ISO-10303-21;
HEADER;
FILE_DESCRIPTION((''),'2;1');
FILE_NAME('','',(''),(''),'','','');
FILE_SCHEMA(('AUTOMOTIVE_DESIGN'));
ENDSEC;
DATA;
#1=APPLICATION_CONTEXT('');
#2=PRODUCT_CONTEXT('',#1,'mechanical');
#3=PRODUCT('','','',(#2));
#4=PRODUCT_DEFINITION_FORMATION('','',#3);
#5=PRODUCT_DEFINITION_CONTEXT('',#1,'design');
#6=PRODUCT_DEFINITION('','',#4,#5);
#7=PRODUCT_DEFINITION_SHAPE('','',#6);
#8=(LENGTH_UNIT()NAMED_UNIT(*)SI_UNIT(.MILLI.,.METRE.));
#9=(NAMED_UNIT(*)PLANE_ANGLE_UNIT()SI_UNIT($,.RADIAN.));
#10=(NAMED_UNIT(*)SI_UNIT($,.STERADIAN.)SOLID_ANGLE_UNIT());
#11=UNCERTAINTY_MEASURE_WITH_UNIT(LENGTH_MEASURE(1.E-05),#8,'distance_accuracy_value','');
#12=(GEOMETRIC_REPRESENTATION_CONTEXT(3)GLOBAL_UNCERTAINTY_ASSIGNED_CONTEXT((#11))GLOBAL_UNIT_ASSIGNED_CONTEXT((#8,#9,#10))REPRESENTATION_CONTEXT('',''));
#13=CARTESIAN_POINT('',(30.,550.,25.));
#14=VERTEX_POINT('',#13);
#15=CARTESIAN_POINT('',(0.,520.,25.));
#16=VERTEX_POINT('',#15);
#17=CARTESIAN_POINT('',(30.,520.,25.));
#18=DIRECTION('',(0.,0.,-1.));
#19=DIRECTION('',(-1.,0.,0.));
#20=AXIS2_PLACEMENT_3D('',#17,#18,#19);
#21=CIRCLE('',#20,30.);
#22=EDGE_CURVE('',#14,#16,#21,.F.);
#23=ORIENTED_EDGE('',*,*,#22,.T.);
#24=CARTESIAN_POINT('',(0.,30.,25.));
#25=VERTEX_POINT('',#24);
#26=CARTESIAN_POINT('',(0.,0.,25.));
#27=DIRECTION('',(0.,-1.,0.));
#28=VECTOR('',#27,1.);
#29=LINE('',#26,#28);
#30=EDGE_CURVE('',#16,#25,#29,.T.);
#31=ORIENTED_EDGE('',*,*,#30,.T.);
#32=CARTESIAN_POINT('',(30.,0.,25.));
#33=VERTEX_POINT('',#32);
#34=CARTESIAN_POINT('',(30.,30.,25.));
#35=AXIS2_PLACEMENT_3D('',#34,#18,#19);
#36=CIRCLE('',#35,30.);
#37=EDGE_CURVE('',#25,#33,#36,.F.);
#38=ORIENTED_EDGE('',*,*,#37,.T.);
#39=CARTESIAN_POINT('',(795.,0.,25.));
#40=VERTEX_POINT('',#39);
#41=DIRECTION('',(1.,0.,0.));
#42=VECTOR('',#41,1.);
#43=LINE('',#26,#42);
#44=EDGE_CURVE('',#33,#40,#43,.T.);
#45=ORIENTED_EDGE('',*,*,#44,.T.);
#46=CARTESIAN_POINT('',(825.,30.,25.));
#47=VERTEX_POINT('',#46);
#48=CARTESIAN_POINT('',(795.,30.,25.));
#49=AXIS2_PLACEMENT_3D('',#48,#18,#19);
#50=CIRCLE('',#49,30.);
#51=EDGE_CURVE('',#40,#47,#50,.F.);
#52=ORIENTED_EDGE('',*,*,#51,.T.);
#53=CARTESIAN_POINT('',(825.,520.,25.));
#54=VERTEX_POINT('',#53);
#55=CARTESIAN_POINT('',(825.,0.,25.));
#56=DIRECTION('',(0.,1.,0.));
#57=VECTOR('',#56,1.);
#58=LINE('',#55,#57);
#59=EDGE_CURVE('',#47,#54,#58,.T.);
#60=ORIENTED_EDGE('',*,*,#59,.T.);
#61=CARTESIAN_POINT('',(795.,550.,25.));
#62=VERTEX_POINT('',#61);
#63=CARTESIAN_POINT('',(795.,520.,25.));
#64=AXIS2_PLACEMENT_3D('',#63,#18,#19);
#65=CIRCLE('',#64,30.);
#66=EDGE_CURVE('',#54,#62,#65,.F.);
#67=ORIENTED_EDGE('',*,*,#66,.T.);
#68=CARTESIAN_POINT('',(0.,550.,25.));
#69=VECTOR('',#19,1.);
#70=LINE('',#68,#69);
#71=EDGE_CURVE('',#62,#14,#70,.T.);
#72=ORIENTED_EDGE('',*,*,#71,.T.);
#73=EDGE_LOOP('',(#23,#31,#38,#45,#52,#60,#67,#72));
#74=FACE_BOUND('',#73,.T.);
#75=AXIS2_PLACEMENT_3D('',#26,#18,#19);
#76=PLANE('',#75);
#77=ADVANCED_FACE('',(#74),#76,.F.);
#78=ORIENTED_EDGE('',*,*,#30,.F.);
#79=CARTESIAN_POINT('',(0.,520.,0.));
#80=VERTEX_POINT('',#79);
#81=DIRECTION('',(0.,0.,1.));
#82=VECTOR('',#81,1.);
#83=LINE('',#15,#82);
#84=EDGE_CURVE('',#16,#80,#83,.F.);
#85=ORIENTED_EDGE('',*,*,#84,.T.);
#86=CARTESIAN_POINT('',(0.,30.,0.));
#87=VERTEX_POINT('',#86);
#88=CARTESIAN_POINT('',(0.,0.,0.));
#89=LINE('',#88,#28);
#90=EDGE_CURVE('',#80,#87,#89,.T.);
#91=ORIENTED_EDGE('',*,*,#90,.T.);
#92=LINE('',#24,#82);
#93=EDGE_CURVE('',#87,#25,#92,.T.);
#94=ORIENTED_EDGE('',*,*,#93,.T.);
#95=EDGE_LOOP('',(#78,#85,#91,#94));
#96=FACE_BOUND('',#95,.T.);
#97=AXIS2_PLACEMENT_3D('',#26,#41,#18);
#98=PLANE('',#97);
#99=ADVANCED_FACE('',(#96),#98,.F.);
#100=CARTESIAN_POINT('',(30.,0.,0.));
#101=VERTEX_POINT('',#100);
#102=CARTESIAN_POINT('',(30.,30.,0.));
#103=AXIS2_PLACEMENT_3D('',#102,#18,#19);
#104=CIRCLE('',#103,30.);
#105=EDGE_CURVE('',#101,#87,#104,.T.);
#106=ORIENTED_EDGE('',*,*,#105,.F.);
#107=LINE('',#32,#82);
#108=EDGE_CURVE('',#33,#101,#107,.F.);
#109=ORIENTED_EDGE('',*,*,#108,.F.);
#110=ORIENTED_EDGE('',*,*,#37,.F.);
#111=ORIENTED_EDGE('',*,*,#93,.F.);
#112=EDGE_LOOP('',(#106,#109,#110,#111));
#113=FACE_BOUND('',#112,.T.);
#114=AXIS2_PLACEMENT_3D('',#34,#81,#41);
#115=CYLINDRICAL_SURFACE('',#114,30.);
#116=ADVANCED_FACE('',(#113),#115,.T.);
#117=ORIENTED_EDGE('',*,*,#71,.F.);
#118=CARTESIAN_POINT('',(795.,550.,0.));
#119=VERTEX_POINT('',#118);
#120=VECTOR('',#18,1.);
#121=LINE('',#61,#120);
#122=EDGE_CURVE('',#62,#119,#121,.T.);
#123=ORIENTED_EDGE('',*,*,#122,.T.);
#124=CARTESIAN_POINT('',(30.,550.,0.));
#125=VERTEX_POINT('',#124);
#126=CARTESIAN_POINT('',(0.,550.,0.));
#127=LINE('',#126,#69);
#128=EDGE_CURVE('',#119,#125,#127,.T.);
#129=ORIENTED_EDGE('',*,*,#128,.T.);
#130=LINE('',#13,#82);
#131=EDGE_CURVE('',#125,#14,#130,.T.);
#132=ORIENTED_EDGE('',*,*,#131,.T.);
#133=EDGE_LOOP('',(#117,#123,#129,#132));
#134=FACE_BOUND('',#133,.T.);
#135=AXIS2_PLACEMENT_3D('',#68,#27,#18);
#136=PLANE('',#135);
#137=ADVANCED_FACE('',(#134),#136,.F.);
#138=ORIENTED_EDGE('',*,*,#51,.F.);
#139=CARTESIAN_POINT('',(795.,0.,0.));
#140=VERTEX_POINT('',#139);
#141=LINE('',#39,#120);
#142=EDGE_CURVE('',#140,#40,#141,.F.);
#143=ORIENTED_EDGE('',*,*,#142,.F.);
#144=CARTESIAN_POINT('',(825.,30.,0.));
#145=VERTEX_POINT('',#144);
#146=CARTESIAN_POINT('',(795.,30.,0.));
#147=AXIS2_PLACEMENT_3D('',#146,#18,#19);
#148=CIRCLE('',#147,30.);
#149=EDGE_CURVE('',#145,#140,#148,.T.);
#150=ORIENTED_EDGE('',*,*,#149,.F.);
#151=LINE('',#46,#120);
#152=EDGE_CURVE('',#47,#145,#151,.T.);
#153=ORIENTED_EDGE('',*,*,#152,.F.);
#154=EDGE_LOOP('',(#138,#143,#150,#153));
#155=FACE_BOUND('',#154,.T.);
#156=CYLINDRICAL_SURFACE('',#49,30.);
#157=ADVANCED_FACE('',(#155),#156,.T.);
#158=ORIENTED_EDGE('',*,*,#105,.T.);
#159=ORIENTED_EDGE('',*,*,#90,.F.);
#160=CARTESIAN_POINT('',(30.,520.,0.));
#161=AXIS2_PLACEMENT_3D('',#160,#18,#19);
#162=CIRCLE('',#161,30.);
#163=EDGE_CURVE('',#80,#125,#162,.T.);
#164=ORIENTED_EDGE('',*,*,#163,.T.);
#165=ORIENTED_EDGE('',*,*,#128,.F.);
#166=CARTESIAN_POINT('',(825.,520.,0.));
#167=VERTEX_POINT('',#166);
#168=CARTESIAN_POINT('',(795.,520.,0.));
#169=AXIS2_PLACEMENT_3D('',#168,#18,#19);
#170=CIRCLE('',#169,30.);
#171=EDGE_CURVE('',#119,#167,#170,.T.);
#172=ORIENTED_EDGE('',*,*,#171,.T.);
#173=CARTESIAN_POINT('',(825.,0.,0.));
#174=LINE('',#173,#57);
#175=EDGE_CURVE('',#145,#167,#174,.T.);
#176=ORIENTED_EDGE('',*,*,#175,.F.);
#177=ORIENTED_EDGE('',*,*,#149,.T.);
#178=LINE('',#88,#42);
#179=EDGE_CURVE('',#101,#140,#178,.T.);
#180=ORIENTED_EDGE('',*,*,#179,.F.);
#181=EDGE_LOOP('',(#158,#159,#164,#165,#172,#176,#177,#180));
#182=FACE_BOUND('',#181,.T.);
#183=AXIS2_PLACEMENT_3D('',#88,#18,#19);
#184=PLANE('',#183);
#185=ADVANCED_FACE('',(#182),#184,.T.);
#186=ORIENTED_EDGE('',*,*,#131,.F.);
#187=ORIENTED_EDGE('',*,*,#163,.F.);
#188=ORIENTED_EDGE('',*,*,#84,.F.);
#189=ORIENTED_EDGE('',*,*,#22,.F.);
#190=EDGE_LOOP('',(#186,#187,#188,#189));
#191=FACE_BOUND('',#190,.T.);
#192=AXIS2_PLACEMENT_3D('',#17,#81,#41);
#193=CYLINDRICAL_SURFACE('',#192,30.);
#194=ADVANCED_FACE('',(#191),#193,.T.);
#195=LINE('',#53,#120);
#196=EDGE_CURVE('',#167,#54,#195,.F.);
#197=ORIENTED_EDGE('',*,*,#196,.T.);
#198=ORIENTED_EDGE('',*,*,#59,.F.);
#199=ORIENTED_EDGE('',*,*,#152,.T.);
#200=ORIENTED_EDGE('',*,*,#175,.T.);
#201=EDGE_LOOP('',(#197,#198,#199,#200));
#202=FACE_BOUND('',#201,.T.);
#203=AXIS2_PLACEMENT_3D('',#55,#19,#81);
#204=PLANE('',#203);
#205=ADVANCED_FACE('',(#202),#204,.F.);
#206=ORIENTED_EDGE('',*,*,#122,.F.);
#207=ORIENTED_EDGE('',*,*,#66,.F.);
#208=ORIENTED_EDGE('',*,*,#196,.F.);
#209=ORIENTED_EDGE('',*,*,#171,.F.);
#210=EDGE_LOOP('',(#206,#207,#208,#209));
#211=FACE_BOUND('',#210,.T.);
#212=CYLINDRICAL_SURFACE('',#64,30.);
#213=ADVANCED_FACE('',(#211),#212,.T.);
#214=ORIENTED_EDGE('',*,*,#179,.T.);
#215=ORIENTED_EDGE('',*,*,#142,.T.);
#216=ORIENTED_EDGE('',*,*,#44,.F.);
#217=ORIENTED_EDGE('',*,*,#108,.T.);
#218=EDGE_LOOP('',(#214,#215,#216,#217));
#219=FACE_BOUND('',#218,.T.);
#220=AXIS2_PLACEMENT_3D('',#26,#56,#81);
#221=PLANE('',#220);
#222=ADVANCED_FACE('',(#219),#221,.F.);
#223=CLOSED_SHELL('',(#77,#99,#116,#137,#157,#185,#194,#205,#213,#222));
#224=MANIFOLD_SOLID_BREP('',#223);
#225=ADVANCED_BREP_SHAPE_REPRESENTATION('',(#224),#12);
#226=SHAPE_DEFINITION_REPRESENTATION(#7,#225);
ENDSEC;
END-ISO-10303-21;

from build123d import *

# Parameters (mm, degrees)
SKETCH1_W           = 825
SKETCH1_H           = 550
BOSS_EXTRUDE1_DEPTH = 25
FILLET1_R           = 30
FILLET2_R           = 30
FILLET3_R           = 30
FILLET4_R           = 30


with BuildPart() as part:
    # Sketch1 → Boss-Extrude1 (new body)
    with BuildSketch(Plane.XY):
        with Locations((412.5, 275)):
            Rectangle(SKETCH1_W, SKETCH1_H)
    extrude(amount=BOSS_EXTRUDE1_DEPTH)

    # Fillet1
    fillet1_edges = [part.edges().sort_by_distance(p)[0] for p in [
        (0, 550, 12.5),
    ]]
    fillet(fillet1_edges, radius=FILLET1_R)

    # Fillet2
    fillet2_edges = [part.edges().sort_by_distance(p)[0] for p in [
        (825, 550, 12.5),
    ]]
    fillet(fillet2_edges, radius=FILLET2_R)

    # Fillet3
    fillet3_edges = [part.edges().sort_by_distance(p)[0] for p in [
        (0, 0, 12.5),
    ]]
    fillet(fillet3_edges, radius=FILLET3_R)

    # Fillet4
    fillet4_edges = [part.edges().sort_by_distance(p)[0] for p in [
        (825, 0, 12.5),
    ]]
    fillet(fillet4_edges, radius=FILLET4_R)


solid = part.part
